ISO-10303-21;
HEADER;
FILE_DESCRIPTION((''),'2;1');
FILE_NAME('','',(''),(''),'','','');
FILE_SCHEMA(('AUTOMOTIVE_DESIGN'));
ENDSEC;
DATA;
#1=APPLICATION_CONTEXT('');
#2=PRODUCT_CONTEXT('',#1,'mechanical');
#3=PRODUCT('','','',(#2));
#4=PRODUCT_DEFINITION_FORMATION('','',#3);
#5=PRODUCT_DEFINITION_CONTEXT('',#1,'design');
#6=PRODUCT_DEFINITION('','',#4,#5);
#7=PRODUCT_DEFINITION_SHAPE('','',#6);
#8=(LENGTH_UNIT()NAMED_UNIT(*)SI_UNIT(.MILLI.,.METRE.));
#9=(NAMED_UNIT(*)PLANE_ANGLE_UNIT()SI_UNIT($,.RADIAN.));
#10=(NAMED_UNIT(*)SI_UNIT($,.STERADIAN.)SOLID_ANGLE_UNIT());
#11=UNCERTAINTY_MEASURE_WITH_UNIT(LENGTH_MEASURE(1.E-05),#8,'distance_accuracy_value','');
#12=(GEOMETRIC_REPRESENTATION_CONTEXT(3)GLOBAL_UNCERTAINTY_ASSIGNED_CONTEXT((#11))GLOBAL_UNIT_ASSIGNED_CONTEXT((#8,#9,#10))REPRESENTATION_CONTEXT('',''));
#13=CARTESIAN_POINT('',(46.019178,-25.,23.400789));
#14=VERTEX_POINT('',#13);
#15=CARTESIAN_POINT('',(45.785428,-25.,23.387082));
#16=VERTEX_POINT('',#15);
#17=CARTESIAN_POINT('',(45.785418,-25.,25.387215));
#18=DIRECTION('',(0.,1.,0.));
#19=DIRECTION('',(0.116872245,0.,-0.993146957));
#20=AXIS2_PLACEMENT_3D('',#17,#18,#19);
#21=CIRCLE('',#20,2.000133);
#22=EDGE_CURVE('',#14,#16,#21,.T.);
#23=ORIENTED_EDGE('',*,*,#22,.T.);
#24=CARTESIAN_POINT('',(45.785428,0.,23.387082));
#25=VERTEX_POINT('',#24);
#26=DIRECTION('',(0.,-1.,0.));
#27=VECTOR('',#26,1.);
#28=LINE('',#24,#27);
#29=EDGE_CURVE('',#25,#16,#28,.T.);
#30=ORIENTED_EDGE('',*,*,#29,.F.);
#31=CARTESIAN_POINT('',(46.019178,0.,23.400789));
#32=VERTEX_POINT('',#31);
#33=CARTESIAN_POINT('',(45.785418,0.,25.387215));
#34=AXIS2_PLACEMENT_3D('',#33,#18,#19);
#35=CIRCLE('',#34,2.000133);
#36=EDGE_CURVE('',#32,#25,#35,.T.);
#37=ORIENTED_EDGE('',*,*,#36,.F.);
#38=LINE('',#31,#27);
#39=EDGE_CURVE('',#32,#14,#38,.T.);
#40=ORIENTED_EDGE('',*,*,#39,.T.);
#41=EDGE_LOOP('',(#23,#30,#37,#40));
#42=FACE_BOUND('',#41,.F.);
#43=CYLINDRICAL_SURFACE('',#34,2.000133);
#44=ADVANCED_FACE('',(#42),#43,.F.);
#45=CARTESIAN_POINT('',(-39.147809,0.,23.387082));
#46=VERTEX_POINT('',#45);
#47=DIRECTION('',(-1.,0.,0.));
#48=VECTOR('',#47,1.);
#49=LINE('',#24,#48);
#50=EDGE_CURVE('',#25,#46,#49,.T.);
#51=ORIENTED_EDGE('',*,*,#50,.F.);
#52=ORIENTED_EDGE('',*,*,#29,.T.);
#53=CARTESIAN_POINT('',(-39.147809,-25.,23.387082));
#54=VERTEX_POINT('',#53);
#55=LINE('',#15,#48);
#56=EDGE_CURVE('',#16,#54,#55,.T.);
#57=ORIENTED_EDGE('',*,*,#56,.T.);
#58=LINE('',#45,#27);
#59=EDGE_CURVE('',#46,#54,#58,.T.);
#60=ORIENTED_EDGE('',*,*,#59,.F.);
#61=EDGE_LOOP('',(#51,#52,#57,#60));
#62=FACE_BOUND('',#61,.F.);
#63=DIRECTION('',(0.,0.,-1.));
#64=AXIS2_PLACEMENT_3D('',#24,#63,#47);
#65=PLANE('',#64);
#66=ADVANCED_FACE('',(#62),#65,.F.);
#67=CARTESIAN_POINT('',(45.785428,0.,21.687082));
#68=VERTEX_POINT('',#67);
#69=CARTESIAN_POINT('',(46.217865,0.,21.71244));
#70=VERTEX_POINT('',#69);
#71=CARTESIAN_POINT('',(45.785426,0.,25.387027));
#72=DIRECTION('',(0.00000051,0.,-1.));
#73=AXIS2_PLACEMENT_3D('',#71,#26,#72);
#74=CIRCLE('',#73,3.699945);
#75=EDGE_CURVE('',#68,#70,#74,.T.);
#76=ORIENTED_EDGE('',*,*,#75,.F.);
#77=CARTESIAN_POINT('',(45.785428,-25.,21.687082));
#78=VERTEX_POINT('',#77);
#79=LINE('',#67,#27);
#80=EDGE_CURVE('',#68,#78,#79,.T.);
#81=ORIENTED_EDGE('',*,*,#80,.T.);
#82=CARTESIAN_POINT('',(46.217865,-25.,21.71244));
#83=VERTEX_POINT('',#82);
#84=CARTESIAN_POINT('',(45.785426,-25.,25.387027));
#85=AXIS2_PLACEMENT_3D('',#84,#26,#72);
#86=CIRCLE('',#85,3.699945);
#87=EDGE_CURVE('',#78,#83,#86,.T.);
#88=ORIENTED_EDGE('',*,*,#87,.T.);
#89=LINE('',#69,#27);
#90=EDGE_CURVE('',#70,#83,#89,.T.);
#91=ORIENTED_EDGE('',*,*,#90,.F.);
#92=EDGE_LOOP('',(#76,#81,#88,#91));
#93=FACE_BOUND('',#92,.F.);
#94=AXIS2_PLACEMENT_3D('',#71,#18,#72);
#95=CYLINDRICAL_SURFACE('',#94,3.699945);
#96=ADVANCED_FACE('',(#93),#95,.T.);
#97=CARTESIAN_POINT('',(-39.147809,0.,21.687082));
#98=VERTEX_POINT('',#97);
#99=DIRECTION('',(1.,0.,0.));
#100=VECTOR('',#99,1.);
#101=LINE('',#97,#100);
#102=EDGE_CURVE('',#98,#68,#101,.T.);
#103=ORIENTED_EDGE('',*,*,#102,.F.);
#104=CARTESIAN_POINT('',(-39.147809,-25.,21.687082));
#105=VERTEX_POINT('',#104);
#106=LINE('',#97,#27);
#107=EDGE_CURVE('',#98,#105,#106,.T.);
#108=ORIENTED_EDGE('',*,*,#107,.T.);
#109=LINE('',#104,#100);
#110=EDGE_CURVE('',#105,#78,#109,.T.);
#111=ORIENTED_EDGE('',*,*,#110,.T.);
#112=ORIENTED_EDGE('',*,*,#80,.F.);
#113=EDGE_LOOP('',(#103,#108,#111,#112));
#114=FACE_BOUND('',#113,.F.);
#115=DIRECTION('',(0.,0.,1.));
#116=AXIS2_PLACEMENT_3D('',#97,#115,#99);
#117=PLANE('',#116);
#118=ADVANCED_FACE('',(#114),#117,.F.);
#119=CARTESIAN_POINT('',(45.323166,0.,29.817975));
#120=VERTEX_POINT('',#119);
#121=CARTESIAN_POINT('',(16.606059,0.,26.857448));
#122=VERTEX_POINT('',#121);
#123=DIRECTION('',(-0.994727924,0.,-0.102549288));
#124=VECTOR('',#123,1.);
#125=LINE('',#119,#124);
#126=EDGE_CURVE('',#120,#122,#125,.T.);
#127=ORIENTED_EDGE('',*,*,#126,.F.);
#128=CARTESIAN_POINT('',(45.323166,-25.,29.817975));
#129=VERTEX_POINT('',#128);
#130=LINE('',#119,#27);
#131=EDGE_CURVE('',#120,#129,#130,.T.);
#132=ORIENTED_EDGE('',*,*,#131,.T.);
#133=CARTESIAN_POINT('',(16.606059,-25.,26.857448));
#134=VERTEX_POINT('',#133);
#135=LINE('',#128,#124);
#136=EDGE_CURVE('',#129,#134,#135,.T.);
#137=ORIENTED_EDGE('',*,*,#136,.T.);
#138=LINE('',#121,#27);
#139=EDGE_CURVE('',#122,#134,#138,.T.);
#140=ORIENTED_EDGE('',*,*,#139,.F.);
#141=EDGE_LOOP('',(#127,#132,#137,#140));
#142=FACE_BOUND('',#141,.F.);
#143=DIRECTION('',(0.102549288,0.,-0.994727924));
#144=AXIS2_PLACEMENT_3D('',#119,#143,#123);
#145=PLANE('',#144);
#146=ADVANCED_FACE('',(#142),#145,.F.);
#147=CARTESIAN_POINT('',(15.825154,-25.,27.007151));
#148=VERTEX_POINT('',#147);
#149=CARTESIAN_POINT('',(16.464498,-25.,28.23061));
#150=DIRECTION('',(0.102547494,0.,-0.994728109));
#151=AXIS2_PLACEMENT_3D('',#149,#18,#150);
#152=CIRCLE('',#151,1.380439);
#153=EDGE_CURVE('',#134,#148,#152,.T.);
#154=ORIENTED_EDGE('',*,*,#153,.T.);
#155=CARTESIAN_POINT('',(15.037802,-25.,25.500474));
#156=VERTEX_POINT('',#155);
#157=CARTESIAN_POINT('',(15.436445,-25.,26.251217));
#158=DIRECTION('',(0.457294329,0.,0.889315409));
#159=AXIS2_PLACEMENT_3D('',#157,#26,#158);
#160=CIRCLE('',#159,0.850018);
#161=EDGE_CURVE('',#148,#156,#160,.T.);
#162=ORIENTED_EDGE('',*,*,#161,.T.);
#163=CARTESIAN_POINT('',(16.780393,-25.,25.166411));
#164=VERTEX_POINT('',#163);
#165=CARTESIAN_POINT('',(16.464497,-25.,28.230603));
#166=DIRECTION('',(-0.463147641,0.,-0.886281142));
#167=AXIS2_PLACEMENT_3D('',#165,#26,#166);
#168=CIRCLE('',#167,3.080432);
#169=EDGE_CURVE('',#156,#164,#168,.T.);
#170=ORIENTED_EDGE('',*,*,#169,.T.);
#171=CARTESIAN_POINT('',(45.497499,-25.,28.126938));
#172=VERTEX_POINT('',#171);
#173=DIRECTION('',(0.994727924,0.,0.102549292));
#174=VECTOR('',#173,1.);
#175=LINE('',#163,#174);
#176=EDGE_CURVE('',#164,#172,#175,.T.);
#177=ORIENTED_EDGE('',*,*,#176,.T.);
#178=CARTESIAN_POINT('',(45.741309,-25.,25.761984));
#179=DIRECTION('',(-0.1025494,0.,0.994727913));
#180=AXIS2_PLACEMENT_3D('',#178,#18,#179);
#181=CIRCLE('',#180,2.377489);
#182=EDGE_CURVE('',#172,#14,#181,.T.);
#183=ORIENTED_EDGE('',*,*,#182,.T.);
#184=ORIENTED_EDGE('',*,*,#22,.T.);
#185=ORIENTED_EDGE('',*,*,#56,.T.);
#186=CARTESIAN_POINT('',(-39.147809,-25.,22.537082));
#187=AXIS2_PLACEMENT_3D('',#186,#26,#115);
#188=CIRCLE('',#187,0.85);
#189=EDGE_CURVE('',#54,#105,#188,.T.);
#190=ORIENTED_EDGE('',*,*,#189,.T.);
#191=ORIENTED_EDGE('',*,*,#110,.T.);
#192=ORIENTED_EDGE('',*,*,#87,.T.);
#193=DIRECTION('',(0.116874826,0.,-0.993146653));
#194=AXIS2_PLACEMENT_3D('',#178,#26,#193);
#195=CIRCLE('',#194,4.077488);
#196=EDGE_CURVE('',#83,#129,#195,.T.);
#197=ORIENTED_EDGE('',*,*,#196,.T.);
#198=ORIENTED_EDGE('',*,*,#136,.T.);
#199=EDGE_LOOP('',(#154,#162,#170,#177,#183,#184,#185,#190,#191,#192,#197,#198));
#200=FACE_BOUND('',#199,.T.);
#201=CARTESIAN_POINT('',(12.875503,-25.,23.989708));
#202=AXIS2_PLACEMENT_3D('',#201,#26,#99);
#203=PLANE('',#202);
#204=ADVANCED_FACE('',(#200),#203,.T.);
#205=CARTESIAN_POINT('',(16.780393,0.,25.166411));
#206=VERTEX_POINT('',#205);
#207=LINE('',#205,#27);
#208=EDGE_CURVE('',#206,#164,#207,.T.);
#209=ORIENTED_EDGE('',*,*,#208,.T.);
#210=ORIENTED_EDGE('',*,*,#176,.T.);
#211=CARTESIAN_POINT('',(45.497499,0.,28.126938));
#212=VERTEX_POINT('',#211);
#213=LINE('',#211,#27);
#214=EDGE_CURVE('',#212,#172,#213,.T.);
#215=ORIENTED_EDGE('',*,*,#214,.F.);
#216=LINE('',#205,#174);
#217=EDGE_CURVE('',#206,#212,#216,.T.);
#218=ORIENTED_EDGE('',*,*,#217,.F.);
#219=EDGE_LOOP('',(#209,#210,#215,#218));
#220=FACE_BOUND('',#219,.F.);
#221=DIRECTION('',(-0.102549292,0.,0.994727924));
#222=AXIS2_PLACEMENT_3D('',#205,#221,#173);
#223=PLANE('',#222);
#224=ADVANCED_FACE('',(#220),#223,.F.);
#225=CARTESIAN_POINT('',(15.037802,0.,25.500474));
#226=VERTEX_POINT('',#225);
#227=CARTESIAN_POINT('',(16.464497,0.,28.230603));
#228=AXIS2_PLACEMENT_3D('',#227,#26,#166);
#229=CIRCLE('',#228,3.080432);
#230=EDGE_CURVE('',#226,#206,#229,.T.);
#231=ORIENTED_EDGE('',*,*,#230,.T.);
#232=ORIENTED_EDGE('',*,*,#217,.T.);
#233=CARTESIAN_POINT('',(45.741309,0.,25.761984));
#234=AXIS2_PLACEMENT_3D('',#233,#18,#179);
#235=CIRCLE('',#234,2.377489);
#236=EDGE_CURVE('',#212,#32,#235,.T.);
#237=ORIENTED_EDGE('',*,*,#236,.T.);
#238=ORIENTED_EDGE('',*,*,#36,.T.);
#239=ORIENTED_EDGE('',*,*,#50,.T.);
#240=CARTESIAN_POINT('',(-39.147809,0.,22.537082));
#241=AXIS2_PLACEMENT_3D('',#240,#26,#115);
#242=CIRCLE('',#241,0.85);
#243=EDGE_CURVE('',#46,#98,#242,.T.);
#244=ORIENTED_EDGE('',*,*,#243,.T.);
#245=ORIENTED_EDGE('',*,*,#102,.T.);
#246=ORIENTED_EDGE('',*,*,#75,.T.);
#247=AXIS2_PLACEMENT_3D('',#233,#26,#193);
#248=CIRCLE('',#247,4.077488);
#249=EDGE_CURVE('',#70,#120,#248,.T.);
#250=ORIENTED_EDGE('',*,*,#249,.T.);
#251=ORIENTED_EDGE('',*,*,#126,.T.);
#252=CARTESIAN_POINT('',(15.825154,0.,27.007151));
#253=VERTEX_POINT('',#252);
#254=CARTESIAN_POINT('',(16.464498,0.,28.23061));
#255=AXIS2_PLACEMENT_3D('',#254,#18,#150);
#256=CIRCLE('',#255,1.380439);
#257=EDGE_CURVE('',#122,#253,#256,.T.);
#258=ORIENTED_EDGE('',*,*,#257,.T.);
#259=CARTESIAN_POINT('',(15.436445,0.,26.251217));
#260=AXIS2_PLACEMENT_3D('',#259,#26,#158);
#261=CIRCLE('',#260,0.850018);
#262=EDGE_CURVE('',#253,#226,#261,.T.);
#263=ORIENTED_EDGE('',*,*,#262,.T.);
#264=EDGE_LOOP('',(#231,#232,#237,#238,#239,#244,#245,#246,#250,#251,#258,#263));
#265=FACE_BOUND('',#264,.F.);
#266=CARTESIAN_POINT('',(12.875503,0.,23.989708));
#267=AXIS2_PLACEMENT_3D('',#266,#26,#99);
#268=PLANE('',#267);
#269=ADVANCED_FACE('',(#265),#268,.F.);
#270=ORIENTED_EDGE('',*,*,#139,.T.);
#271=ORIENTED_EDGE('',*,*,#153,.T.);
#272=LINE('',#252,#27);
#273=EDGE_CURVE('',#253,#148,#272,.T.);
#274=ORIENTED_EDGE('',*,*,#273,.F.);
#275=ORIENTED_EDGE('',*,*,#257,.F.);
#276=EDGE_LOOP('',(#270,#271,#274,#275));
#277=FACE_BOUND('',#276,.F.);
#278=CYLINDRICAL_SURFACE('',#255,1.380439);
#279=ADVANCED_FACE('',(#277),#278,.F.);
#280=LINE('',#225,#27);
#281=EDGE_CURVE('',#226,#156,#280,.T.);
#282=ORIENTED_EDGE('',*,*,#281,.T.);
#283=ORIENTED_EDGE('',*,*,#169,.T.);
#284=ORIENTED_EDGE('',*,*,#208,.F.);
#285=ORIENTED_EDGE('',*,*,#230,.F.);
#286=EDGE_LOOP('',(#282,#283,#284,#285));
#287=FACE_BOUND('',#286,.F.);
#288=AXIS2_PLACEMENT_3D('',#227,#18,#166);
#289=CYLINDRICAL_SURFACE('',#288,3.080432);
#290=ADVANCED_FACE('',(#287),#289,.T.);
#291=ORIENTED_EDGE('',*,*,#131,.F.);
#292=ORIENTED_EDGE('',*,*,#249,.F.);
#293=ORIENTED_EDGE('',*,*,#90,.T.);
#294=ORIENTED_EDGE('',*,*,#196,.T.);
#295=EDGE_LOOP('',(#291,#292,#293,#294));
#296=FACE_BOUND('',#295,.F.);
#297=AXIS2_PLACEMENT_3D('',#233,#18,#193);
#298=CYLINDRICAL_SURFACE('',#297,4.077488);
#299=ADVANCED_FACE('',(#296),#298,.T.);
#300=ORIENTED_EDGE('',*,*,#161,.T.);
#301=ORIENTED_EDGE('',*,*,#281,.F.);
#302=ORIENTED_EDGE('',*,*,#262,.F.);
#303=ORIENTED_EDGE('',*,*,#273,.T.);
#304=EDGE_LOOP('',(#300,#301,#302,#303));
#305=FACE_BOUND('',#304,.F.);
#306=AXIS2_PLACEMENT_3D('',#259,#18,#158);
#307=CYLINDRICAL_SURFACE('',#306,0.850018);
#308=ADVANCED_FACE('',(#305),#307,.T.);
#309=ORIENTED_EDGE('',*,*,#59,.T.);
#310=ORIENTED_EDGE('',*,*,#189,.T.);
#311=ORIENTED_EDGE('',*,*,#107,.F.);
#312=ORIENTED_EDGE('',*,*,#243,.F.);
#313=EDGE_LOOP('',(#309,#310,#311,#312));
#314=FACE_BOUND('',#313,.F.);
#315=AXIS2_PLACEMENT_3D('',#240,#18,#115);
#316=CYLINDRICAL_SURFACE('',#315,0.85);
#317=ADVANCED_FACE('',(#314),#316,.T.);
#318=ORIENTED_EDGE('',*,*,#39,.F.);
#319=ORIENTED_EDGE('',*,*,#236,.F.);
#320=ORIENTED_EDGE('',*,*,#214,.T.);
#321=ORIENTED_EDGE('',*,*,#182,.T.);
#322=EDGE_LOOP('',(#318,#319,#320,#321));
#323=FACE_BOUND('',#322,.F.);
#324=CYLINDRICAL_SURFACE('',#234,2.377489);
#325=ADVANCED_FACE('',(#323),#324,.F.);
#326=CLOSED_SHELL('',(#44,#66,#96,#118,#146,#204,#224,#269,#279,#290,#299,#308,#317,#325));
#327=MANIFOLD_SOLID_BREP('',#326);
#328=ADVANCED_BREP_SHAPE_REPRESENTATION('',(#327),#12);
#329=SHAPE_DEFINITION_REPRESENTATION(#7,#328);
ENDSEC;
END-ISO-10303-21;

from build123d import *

# Parameters (mm, degrees)
F1_DEPTH = 25


with BuildPart() as f1:
    # F0 (on Front) → F1 (new body)
    with BuildSketch(Plane.XZ):
        with BuildLine():
            Line((45.785428, 23.387082), (-39.147809, 23.387082))
            ThreePointArc((-39.147809, 23.387082), (-39.997809, 22.537082), (-39.147809, 21.687082))
            Line((-39.147809, 21.687082), (45.785428, 21.687082))
            ThreePointArc((45.785428, 21.687082), (46.002018, 21.693427), (46.217865, 21.71244))
            ThreePointArc((46.217865, 21.71244), (49.794182, 26.209345), (45.323166, 29.817975))
            Line((45.323166, 29.817975), (16.606059, 26.857448))
            ThreePointArc((16.606059, 26.857448), (16.204595, 26.874858), (15.825154, 27.007151))
            ThreePointArc((15.825154, 27.007151), (14.683091, 26.644902), (15.037802, 25.500474))
            ThreePointArc((15.037802, 25.500474), (15.884524, 25.205261), (16.780393, 25.166411))
            Line((16.780393, 25.166411), (45.497499, 28.126938))
            ThreePointArc((45.497499, 28.126938), (48.104445, 26.022829), (46.019178, 23.400789))
            ThreePointArc((46.019178, 23.400789), (45.902504, 23.390512), (45.785428, 23.387082))
        make_face()
    extrude(amount=F1_DEPTH)


solid = f1.part
